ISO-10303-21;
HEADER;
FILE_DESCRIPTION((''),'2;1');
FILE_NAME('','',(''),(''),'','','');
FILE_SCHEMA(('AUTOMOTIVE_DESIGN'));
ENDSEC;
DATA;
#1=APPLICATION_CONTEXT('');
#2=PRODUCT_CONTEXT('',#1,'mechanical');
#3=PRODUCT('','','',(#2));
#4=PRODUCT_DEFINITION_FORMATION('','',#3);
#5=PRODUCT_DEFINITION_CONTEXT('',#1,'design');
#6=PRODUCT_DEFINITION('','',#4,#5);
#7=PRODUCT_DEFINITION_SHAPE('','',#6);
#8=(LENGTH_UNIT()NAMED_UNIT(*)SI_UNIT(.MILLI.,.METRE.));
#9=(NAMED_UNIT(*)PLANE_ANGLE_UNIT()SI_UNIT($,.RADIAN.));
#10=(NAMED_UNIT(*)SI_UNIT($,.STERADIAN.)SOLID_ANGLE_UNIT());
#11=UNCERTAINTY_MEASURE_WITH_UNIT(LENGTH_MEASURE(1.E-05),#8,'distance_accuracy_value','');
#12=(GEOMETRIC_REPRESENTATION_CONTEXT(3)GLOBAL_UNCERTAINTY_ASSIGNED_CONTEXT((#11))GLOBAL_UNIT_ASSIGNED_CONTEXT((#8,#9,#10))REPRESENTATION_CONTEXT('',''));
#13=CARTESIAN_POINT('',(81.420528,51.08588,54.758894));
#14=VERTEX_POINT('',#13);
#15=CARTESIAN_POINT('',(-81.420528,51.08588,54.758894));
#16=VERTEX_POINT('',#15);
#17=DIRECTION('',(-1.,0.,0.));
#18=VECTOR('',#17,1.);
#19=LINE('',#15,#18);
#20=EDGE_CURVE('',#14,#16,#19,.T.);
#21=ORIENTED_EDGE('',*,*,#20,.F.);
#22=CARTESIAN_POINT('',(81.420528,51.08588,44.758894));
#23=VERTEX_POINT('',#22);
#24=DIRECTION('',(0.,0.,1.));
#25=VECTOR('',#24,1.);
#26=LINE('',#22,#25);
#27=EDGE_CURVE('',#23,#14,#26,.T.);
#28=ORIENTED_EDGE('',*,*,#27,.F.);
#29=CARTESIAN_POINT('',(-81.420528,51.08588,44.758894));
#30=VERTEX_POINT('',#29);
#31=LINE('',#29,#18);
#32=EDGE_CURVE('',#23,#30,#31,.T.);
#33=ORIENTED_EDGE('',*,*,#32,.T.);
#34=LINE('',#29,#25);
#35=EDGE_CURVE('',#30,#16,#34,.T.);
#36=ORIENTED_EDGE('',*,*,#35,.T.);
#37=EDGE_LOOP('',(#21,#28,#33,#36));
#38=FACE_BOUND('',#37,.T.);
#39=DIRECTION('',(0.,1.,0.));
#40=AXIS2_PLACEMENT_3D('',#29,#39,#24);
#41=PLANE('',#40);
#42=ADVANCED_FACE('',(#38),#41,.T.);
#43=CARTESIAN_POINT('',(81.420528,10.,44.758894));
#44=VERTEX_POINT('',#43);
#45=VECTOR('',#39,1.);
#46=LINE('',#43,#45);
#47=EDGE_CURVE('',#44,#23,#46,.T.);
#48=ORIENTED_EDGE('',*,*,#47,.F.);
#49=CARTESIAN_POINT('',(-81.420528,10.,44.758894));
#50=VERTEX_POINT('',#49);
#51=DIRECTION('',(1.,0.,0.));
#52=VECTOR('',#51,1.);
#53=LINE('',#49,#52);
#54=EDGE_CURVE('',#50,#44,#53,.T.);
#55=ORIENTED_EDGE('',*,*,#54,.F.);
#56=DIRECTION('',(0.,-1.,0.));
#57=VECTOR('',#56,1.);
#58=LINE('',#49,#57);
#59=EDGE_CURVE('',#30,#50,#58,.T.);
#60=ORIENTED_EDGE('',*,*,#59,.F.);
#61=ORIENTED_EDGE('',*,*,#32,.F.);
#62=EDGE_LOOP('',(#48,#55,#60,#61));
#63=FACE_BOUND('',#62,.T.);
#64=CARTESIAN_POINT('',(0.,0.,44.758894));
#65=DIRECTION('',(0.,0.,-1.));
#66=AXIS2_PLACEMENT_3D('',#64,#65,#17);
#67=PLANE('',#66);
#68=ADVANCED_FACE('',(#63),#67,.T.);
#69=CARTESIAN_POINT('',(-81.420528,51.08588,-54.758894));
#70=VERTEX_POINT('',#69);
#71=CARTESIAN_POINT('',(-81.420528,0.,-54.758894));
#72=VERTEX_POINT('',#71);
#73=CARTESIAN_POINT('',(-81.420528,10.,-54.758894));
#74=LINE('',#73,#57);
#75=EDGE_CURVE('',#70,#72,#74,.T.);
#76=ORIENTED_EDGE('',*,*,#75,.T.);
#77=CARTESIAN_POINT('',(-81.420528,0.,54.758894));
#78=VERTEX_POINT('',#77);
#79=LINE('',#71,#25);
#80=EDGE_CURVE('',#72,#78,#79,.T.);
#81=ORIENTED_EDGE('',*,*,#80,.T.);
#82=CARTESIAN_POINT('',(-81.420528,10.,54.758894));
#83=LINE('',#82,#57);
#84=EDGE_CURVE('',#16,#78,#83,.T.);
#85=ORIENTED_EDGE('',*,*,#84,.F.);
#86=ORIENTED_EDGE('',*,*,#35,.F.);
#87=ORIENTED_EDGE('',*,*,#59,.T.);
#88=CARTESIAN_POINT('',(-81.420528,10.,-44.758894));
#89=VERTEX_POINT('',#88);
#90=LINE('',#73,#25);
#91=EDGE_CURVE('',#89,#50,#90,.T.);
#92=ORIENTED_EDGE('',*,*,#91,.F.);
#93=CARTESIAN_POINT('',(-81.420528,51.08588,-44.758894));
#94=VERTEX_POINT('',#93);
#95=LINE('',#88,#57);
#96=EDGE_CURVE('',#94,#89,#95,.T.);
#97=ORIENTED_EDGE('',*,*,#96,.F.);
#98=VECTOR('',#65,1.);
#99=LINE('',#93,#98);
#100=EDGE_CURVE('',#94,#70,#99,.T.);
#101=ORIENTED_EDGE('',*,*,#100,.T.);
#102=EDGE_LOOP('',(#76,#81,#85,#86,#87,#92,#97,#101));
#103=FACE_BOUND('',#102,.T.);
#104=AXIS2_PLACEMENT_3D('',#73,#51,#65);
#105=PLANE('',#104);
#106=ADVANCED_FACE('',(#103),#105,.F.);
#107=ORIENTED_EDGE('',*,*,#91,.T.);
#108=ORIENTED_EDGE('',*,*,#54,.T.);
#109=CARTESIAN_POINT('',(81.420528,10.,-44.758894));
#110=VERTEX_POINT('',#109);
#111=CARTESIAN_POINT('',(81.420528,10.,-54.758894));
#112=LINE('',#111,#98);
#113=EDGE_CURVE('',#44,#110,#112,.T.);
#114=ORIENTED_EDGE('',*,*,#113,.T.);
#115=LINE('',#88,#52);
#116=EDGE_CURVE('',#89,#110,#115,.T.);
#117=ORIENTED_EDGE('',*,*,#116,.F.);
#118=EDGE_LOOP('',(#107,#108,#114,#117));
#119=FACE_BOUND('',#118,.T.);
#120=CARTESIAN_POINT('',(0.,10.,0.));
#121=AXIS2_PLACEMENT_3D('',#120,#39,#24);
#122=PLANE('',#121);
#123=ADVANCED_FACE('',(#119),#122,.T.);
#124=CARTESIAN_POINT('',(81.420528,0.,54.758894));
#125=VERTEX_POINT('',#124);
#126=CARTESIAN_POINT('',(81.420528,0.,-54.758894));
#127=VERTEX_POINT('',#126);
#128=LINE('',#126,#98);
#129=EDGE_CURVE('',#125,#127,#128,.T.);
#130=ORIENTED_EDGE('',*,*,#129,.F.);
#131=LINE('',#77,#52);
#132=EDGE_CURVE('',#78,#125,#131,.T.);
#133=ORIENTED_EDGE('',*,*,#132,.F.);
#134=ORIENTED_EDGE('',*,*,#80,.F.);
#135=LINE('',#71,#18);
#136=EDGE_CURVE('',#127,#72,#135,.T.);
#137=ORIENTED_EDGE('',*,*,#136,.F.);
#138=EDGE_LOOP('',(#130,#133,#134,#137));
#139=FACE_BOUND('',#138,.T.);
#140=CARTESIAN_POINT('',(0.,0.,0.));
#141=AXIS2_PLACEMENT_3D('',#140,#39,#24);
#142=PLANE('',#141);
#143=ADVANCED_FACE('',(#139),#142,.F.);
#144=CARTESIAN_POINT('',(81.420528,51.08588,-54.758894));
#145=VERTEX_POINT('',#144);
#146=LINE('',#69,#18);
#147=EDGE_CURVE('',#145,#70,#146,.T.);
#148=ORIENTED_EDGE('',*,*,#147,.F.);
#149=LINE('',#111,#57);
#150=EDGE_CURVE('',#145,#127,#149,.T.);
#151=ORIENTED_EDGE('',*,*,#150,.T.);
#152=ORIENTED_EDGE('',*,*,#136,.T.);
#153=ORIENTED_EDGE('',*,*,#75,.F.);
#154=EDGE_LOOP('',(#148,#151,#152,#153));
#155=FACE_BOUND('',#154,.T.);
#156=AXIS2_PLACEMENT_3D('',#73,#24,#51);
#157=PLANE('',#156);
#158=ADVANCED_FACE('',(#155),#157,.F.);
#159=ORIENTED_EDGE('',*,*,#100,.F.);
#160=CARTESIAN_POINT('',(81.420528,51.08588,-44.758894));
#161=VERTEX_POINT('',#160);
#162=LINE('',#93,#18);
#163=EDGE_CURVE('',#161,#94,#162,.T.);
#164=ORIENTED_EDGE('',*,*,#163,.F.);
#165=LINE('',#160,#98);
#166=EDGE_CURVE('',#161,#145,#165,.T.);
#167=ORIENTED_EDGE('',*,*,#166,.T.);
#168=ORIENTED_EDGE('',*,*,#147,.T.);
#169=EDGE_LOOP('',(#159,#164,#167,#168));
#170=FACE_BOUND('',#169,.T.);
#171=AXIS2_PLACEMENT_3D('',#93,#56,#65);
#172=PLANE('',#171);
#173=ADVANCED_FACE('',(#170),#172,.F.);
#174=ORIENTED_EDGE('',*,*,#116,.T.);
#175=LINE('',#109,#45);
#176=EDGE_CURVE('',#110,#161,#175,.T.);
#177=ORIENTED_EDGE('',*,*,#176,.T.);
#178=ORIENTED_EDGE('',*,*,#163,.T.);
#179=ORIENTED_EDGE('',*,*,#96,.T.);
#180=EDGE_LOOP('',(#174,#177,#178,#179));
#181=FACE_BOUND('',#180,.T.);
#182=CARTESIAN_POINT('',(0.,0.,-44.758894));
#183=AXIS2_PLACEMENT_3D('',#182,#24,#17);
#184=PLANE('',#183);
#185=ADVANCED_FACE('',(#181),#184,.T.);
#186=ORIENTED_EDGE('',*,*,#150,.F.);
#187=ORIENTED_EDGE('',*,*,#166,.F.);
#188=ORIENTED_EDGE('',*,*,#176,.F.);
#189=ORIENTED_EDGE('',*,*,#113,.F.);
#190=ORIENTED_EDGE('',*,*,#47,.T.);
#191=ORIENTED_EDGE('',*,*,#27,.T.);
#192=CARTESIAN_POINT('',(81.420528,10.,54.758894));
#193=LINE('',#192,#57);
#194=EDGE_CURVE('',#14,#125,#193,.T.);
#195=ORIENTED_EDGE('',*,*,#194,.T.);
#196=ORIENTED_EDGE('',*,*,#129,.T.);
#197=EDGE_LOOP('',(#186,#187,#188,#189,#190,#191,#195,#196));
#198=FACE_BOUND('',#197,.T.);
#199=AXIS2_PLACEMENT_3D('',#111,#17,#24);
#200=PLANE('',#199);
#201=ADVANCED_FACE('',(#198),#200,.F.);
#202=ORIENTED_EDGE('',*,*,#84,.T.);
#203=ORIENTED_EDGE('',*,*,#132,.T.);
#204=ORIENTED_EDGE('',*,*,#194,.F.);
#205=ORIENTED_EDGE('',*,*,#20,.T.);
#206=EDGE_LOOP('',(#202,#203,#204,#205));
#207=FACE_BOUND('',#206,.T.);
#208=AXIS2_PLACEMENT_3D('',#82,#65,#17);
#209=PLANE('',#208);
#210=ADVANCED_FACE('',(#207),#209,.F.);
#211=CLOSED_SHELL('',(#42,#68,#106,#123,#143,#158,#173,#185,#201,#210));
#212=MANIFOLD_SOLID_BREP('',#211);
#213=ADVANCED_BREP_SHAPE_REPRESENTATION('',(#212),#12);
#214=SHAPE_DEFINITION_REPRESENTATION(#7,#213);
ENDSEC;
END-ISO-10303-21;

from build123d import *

# Parameters (mm, degrees)
SKETCH1_W           = 162.841056138
SKETCH1_H           = 109.517788384
BOSS_EXTRUDE1_DEPTH = 10
SKETCH3_W           = 162.841056138
SKETCH3_H           = 41.085879715
BOSS_EXTRUDE2_DEPTH = 10


with BuildPart() as part:
    # Sketch1 → Boss-Extrude1 (new body)
    with BuildSketch(Plane(origin=(0, 0, 0), x_dir=(1, 0, 0), z_dir=(0, 1, 0))):
        Rectangle(SKETCH1_W, SKETCH1_H)
    extrude(amount=BOSS_EXTRUDE1_DEPTH)

    # Sketch3 → Boss-Extrude2 (add)
    with BuildSketch(Plane.XY.offset(54.758894192)):
        with Locations((0, 30.542939858)):
            Rectangle(SKETCH3_W, SKETCH3_H)
    boss_extrude2 = extrude(amount=-BOSS_EXTRUDE2_DEPTH)

    # Mirror1: Boss-Extrude2 across plane
    add(boss_extrude2.mirror(Plane.XY))


solid = part.part
